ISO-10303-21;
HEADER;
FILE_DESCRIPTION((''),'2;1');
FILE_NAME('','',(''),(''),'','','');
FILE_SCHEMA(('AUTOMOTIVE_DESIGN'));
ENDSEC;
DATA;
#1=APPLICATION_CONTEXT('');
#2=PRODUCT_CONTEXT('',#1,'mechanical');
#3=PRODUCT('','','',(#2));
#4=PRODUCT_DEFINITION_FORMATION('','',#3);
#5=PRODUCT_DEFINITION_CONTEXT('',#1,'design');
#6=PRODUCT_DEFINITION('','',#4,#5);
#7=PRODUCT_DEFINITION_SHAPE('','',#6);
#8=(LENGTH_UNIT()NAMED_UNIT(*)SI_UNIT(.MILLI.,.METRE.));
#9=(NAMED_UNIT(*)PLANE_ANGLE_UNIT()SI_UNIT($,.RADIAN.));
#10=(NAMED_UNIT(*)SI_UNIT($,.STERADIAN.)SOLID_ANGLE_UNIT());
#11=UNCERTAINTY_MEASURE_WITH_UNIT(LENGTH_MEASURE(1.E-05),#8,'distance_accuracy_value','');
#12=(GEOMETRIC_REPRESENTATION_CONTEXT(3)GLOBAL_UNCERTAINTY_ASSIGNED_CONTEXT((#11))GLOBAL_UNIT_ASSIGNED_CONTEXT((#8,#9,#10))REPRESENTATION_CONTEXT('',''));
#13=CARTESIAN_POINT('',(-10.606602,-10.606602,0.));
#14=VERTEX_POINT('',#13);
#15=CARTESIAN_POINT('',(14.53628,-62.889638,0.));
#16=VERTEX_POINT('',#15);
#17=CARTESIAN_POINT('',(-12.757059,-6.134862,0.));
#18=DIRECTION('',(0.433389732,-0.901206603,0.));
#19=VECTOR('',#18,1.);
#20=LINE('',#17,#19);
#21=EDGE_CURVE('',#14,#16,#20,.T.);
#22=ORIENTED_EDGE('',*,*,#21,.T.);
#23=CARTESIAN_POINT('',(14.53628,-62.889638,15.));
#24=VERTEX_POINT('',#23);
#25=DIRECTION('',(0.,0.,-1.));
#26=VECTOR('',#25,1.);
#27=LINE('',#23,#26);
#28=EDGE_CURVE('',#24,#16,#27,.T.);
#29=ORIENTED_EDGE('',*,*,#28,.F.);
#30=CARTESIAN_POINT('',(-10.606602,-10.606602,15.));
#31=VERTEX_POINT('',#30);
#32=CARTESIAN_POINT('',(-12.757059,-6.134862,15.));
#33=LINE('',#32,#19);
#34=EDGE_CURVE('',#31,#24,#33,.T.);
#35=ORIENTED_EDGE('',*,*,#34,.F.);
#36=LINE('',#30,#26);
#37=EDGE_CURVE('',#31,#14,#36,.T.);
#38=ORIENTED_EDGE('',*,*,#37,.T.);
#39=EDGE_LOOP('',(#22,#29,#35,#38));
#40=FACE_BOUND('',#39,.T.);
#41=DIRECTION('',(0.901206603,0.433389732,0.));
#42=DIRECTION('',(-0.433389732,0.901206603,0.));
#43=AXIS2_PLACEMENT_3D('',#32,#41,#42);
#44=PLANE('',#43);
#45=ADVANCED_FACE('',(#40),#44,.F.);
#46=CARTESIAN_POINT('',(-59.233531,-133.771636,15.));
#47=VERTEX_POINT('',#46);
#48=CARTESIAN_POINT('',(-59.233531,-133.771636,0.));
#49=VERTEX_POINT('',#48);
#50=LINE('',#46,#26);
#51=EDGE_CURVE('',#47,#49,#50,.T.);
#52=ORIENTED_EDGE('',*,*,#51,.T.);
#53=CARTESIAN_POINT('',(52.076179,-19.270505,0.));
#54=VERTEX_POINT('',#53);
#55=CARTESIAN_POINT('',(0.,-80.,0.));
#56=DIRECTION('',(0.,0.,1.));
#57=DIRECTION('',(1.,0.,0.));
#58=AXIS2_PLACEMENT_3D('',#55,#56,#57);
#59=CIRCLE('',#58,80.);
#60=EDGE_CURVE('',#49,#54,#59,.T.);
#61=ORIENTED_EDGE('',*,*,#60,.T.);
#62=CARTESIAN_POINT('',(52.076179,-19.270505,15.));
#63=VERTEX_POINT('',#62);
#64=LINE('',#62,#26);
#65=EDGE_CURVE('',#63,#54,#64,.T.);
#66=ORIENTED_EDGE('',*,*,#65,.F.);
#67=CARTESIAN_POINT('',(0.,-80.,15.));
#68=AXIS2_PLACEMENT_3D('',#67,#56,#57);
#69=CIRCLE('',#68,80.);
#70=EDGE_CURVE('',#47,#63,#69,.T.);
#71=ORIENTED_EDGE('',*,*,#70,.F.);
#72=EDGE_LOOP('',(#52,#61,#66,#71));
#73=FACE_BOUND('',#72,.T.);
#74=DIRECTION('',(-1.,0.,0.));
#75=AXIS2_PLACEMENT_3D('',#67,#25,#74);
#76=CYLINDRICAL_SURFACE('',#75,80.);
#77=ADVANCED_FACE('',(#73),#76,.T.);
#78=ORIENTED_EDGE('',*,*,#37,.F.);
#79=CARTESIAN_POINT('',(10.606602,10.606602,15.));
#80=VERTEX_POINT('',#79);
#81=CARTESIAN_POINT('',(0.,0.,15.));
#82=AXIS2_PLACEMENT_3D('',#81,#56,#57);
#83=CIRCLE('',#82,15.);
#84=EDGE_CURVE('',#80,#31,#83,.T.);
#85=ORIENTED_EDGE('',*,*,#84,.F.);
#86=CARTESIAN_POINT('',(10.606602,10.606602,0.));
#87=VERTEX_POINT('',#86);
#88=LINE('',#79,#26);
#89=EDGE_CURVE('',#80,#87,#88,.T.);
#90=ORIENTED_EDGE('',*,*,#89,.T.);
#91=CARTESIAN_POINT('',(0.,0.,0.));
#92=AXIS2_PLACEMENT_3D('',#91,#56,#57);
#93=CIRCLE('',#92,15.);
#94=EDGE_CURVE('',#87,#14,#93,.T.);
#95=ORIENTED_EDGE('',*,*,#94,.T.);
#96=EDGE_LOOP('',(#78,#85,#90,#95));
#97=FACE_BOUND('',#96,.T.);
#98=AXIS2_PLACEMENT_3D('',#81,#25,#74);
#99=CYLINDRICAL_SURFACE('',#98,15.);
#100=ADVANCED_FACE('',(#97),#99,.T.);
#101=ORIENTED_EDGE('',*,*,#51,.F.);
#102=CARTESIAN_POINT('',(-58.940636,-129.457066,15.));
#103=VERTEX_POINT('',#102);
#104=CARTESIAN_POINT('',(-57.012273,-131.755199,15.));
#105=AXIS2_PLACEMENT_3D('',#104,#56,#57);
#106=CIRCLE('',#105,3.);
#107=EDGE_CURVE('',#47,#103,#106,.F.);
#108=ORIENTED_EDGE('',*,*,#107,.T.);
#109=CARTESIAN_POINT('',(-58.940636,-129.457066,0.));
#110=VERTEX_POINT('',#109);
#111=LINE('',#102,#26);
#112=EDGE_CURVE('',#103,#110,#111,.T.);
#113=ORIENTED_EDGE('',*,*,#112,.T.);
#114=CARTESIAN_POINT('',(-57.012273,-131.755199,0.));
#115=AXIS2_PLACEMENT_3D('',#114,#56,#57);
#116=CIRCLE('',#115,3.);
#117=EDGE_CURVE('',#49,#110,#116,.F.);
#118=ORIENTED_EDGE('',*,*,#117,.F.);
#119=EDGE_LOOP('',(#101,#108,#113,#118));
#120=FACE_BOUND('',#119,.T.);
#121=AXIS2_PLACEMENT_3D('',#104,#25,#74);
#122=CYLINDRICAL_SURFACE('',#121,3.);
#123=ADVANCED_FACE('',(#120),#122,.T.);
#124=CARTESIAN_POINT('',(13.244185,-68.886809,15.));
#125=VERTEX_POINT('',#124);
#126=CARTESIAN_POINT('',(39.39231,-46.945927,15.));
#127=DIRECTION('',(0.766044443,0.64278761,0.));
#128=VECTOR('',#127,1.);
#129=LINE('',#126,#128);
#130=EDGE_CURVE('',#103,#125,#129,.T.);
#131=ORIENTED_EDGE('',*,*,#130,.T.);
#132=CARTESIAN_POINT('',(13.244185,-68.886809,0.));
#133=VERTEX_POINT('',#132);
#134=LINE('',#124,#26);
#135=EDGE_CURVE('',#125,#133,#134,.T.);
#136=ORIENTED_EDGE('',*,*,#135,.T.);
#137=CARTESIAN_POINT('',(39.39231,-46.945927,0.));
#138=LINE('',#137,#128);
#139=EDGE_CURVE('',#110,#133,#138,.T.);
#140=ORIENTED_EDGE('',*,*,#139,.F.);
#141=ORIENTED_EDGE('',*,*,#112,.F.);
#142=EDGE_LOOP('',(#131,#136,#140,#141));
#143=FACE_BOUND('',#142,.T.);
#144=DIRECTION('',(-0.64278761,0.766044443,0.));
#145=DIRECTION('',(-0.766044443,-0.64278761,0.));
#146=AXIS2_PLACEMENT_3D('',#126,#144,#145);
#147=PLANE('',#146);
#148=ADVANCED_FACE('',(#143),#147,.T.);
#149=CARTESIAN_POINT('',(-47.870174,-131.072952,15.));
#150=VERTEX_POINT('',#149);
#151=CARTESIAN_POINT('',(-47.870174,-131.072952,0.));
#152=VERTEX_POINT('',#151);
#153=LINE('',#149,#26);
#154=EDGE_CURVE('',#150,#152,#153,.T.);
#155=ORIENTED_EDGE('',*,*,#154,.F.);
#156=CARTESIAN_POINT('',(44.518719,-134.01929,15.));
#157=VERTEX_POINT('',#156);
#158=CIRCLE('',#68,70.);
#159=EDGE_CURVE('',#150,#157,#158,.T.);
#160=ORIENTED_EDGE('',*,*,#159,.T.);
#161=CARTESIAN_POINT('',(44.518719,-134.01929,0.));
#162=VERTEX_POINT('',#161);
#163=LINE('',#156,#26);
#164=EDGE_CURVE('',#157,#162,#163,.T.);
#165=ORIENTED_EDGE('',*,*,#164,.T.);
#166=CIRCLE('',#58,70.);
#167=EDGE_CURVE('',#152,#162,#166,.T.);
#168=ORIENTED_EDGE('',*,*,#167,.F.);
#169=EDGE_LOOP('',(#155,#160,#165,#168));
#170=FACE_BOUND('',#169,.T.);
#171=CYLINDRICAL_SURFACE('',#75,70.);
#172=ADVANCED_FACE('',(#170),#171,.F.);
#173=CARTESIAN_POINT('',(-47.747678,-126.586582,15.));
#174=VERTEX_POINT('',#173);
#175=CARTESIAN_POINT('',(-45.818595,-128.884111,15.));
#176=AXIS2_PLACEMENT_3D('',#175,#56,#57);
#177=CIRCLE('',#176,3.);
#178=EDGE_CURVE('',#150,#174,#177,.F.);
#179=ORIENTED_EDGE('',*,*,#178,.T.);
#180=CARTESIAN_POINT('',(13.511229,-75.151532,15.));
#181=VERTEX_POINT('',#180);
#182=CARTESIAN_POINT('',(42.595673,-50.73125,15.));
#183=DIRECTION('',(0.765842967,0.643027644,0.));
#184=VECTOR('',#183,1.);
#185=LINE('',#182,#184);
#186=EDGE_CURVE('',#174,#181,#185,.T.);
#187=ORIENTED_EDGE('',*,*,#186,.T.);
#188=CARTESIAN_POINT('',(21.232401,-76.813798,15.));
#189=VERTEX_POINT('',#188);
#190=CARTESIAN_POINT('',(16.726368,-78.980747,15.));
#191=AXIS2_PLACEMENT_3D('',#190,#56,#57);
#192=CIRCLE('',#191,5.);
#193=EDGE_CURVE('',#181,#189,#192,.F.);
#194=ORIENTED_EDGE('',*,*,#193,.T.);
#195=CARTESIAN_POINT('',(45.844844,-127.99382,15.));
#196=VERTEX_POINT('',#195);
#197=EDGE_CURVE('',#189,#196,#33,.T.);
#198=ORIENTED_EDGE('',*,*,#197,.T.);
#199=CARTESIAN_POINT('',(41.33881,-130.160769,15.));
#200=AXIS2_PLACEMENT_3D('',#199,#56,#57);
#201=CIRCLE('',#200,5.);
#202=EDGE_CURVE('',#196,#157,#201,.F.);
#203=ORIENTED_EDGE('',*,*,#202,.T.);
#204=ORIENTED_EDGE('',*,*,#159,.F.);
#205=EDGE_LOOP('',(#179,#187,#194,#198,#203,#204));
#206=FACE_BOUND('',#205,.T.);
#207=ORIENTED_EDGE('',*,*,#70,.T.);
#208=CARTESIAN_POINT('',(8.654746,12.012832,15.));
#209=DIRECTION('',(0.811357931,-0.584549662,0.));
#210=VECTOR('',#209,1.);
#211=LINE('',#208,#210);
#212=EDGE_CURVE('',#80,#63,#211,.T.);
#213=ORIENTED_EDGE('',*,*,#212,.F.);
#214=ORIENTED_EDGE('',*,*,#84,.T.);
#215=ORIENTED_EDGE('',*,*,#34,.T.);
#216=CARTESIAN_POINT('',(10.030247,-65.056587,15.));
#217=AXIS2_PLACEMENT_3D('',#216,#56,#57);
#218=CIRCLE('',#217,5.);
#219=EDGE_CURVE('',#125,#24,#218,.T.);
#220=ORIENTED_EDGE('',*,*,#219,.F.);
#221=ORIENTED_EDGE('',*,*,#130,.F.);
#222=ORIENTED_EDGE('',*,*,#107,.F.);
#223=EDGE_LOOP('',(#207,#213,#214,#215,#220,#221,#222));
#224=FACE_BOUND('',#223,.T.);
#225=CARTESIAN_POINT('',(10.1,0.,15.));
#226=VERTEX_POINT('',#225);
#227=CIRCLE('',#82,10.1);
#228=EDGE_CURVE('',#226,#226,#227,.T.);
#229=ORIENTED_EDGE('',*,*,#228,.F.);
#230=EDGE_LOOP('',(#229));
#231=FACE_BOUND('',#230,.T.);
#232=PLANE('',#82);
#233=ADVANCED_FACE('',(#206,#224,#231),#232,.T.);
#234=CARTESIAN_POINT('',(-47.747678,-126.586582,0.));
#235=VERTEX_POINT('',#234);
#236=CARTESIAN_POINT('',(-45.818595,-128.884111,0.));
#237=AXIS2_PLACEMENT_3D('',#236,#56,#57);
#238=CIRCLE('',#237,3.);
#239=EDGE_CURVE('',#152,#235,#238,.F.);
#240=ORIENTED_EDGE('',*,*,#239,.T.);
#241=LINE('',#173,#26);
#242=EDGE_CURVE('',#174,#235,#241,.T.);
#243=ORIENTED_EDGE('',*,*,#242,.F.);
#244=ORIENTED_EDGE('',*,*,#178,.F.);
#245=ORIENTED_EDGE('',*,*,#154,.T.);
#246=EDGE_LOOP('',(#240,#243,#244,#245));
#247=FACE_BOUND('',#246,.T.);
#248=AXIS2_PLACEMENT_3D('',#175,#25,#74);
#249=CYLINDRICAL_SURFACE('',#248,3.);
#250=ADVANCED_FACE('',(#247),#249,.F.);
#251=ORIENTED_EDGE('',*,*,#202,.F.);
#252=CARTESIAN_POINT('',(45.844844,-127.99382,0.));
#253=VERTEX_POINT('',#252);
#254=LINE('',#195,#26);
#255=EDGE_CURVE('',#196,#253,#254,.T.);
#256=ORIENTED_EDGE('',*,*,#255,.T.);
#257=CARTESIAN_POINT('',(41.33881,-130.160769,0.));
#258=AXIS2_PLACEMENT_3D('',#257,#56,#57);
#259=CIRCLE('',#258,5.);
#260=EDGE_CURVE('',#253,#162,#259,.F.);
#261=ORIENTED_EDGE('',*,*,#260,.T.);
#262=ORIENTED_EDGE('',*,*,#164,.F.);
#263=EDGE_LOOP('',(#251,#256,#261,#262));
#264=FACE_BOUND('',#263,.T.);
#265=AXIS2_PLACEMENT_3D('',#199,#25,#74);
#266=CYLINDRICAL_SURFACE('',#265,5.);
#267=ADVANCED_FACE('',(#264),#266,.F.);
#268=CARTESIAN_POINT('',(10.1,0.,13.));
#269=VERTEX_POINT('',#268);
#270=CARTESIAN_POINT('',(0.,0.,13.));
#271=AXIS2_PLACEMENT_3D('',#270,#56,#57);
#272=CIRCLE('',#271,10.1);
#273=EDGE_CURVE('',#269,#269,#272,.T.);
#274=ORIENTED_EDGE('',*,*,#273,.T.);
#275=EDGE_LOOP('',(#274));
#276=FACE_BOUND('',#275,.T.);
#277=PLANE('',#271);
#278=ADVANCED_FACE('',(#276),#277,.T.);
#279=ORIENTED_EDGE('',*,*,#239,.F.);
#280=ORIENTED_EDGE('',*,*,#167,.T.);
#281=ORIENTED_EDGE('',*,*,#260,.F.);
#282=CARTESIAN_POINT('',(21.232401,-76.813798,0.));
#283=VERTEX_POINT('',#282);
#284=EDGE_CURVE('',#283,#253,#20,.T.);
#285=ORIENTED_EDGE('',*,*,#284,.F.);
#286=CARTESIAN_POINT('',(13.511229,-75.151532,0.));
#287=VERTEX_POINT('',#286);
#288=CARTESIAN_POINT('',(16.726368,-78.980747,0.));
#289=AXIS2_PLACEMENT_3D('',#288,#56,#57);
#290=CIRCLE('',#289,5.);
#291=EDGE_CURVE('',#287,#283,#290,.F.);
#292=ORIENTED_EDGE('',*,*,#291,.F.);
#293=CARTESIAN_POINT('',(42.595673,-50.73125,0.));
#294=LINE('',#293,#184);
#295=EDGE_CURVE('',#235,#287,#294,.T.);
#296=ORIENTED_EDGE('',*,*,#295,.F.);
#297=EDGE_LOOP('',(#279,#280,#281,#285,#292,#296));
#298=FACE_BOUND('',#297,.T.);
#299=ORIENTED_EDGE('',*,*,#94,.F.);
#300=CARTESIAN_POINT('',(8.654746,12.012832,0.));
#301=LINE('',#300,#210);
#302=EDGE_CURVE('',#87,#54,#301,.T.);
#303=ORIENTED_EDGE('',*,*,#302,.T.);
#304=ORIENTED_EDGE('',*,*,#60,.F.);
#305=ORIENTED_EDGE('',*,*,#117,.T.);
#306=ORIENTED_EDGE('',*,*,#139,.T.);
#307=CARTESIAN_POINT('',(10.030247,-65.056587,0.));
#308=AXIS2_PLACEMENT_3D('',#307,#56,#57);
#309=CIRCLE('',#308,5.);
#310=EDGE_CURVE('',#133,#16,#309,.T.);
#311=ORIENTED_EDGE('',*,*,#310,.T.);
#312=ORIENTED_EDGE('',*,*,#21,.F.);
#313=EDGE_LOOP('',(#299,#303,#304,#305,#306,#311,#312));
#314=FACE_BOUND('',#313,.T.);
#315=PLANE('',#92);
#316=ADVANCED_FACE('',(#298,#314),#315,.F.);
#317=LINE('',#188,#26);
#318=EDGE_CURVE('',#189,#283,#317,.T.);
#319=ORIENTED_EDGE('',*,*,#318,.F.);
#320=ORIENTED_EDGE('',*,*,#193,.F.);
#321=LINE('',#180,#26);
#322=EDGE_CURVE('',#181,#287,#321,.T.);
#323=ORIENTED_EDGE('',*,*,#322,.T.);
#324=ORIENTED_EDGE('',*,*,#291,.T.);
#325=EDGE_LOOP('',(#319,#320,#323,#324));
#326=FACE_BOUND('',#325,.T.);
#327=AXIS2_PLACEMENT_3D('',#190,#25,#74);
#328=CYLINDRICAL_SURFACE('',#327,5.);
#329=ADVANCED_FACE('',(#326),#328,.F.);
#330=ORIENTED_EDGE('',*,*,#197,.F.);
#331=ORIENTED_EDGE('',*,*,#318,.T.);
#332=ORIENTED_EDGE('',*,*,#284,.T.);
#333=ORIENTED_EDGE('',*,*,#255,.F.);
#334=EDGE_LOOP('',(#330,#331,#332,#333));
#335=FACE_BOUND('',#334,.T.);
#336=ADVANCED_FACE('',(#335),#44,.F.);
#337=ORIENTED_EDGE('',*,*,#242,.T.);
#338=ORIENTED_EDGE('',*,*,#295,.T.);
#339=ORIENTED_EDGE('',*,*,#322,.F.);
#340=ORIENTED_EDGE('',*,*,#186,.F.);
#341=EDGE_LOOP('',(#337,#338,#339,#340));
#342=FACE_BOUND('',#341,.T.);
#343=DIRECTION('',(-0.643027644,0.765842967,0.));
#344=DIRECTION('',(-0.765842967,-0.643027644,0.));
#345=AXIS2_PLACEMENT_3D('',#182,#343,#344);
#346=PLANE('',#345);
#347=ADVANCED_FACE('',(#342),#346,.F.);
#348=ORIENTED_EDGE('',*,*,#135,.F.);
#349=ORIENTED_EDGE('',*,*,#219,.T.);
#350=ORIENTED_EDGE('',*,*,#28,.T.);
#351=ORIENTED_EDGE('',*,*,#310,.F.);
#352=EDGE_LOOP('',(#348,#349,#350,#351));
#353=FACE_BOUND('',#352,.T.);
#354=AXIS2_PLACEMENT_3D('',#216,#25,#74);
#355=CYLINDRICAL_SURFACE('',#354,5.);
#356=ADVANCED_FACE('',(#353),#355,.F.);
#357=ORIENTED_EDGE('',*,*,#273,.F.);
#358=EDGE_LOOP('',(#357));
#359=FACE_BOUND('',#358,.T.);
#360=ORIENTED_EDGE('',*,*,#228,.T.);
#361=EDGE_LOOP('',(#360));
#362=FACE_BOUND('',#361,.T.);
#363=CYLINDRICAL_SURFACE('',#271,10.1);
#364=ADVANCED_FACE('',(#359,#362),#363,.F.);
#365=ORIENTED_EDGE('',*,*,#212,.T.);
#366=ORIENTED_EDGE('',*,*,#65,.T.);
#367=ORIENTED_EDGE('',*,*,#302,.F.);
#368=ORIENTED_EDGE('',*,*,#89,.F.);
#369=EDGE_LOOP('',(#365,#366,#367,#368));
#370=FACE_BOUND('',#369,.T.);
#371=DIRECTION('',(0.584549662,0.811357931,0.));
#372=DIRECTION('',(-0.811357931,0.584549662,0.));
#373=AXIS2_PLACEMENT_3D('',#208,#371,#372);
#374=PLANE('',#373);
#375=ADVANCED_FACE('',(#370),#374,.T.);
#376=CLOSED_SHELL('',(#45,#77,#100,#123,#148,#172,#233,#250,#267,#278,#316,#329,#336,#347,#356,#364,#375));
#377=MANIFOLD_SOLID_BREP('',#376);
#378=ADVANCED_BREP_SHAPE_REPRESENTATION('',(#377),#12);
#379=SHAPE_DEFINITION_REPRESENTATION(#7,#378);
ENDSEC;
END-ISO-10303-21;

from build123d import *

# Parameters (mm, degrees)
EXTRUDE_1_DEPTH     = 15
SKETCH_5_R          = 10.1
CUT_EXTRUDE_2_DEPTH = 2


with BuildPart() as part:
    # ｽｹｯﾁ4 → ﾎﾞｽ - 押し出し1 (new body)
    with BuildSketch(Plane.XY):
        with BuildLine():
            Line((-53.623111018, -124.995132678), (-58.940636287, -129.45706617))
            ThreePointArc((-58.940636287, -129.45706617), (-60.005384698, -131.552012131), (-59.233530865, -133.771635843))
            ThreePointArc((-59.233530865, -133.771635843), (57.362306223, -135.763481103), (52.076178918, -19.270504783))
            Line((52.076178918, -19.270504783), (10.606601718, 10.606601718))
            ThreePointArc((10.606601718, 10.606601718), (-10.606601718, 10.606601718), (-10.606601718, -10.606601718))
            Line((-10.606601718, -10.606601718), (14.536280154, -62.889638219))
            ThreePointArc((14.536280154, -62.889638219), (14.918089499, -66.109676181), (13.244185189, -68.886809092))
            Line((13.244185189, -68.886809092), (-53.623111018, -124.995132678))
        make_face()
        with BuildLine():
            Line((21.232400696, -76.813798404), (45.844843506, -127.993820346))
            ThreePointArc((45.844843506, -127.993820346), (46.221944165, -131.235480845), (44.518718993, -134.019289696))
            ThreePointArc((44.518718993, -134.019289696), (-2.231208213, -149.964431749), (-47.870174388, -131.072951785))
            ThreePointArc((-47.870174388, -131.072951785), (-48.817477846, -128.802229421), (-47.747678417, -126.586582094))
            Line((-47.747678417, -126.586582094), (13.511229465, -75.151532228))
            ThreePointArc((13.511229465, -75.151532228), (17.77869109, -74.092739753), (21.232400696, -76.813798404))
        make_face(mode=Mode.SUBTRACT)
    extrude(amount=EXTRUDE_1_DEPTH)

    # ｽｹｯﾁ5 → ｶｯﾄ - 押し出し2 (cut)
    with BuildSketch(Plane.XY.offset(15)):
        Circle(SKETCH_5_R)
    extrude(amount=-CUT_EXTRUDE_2_DEPTH, mode=Mode.SUBTRACT)


solid = part.part
